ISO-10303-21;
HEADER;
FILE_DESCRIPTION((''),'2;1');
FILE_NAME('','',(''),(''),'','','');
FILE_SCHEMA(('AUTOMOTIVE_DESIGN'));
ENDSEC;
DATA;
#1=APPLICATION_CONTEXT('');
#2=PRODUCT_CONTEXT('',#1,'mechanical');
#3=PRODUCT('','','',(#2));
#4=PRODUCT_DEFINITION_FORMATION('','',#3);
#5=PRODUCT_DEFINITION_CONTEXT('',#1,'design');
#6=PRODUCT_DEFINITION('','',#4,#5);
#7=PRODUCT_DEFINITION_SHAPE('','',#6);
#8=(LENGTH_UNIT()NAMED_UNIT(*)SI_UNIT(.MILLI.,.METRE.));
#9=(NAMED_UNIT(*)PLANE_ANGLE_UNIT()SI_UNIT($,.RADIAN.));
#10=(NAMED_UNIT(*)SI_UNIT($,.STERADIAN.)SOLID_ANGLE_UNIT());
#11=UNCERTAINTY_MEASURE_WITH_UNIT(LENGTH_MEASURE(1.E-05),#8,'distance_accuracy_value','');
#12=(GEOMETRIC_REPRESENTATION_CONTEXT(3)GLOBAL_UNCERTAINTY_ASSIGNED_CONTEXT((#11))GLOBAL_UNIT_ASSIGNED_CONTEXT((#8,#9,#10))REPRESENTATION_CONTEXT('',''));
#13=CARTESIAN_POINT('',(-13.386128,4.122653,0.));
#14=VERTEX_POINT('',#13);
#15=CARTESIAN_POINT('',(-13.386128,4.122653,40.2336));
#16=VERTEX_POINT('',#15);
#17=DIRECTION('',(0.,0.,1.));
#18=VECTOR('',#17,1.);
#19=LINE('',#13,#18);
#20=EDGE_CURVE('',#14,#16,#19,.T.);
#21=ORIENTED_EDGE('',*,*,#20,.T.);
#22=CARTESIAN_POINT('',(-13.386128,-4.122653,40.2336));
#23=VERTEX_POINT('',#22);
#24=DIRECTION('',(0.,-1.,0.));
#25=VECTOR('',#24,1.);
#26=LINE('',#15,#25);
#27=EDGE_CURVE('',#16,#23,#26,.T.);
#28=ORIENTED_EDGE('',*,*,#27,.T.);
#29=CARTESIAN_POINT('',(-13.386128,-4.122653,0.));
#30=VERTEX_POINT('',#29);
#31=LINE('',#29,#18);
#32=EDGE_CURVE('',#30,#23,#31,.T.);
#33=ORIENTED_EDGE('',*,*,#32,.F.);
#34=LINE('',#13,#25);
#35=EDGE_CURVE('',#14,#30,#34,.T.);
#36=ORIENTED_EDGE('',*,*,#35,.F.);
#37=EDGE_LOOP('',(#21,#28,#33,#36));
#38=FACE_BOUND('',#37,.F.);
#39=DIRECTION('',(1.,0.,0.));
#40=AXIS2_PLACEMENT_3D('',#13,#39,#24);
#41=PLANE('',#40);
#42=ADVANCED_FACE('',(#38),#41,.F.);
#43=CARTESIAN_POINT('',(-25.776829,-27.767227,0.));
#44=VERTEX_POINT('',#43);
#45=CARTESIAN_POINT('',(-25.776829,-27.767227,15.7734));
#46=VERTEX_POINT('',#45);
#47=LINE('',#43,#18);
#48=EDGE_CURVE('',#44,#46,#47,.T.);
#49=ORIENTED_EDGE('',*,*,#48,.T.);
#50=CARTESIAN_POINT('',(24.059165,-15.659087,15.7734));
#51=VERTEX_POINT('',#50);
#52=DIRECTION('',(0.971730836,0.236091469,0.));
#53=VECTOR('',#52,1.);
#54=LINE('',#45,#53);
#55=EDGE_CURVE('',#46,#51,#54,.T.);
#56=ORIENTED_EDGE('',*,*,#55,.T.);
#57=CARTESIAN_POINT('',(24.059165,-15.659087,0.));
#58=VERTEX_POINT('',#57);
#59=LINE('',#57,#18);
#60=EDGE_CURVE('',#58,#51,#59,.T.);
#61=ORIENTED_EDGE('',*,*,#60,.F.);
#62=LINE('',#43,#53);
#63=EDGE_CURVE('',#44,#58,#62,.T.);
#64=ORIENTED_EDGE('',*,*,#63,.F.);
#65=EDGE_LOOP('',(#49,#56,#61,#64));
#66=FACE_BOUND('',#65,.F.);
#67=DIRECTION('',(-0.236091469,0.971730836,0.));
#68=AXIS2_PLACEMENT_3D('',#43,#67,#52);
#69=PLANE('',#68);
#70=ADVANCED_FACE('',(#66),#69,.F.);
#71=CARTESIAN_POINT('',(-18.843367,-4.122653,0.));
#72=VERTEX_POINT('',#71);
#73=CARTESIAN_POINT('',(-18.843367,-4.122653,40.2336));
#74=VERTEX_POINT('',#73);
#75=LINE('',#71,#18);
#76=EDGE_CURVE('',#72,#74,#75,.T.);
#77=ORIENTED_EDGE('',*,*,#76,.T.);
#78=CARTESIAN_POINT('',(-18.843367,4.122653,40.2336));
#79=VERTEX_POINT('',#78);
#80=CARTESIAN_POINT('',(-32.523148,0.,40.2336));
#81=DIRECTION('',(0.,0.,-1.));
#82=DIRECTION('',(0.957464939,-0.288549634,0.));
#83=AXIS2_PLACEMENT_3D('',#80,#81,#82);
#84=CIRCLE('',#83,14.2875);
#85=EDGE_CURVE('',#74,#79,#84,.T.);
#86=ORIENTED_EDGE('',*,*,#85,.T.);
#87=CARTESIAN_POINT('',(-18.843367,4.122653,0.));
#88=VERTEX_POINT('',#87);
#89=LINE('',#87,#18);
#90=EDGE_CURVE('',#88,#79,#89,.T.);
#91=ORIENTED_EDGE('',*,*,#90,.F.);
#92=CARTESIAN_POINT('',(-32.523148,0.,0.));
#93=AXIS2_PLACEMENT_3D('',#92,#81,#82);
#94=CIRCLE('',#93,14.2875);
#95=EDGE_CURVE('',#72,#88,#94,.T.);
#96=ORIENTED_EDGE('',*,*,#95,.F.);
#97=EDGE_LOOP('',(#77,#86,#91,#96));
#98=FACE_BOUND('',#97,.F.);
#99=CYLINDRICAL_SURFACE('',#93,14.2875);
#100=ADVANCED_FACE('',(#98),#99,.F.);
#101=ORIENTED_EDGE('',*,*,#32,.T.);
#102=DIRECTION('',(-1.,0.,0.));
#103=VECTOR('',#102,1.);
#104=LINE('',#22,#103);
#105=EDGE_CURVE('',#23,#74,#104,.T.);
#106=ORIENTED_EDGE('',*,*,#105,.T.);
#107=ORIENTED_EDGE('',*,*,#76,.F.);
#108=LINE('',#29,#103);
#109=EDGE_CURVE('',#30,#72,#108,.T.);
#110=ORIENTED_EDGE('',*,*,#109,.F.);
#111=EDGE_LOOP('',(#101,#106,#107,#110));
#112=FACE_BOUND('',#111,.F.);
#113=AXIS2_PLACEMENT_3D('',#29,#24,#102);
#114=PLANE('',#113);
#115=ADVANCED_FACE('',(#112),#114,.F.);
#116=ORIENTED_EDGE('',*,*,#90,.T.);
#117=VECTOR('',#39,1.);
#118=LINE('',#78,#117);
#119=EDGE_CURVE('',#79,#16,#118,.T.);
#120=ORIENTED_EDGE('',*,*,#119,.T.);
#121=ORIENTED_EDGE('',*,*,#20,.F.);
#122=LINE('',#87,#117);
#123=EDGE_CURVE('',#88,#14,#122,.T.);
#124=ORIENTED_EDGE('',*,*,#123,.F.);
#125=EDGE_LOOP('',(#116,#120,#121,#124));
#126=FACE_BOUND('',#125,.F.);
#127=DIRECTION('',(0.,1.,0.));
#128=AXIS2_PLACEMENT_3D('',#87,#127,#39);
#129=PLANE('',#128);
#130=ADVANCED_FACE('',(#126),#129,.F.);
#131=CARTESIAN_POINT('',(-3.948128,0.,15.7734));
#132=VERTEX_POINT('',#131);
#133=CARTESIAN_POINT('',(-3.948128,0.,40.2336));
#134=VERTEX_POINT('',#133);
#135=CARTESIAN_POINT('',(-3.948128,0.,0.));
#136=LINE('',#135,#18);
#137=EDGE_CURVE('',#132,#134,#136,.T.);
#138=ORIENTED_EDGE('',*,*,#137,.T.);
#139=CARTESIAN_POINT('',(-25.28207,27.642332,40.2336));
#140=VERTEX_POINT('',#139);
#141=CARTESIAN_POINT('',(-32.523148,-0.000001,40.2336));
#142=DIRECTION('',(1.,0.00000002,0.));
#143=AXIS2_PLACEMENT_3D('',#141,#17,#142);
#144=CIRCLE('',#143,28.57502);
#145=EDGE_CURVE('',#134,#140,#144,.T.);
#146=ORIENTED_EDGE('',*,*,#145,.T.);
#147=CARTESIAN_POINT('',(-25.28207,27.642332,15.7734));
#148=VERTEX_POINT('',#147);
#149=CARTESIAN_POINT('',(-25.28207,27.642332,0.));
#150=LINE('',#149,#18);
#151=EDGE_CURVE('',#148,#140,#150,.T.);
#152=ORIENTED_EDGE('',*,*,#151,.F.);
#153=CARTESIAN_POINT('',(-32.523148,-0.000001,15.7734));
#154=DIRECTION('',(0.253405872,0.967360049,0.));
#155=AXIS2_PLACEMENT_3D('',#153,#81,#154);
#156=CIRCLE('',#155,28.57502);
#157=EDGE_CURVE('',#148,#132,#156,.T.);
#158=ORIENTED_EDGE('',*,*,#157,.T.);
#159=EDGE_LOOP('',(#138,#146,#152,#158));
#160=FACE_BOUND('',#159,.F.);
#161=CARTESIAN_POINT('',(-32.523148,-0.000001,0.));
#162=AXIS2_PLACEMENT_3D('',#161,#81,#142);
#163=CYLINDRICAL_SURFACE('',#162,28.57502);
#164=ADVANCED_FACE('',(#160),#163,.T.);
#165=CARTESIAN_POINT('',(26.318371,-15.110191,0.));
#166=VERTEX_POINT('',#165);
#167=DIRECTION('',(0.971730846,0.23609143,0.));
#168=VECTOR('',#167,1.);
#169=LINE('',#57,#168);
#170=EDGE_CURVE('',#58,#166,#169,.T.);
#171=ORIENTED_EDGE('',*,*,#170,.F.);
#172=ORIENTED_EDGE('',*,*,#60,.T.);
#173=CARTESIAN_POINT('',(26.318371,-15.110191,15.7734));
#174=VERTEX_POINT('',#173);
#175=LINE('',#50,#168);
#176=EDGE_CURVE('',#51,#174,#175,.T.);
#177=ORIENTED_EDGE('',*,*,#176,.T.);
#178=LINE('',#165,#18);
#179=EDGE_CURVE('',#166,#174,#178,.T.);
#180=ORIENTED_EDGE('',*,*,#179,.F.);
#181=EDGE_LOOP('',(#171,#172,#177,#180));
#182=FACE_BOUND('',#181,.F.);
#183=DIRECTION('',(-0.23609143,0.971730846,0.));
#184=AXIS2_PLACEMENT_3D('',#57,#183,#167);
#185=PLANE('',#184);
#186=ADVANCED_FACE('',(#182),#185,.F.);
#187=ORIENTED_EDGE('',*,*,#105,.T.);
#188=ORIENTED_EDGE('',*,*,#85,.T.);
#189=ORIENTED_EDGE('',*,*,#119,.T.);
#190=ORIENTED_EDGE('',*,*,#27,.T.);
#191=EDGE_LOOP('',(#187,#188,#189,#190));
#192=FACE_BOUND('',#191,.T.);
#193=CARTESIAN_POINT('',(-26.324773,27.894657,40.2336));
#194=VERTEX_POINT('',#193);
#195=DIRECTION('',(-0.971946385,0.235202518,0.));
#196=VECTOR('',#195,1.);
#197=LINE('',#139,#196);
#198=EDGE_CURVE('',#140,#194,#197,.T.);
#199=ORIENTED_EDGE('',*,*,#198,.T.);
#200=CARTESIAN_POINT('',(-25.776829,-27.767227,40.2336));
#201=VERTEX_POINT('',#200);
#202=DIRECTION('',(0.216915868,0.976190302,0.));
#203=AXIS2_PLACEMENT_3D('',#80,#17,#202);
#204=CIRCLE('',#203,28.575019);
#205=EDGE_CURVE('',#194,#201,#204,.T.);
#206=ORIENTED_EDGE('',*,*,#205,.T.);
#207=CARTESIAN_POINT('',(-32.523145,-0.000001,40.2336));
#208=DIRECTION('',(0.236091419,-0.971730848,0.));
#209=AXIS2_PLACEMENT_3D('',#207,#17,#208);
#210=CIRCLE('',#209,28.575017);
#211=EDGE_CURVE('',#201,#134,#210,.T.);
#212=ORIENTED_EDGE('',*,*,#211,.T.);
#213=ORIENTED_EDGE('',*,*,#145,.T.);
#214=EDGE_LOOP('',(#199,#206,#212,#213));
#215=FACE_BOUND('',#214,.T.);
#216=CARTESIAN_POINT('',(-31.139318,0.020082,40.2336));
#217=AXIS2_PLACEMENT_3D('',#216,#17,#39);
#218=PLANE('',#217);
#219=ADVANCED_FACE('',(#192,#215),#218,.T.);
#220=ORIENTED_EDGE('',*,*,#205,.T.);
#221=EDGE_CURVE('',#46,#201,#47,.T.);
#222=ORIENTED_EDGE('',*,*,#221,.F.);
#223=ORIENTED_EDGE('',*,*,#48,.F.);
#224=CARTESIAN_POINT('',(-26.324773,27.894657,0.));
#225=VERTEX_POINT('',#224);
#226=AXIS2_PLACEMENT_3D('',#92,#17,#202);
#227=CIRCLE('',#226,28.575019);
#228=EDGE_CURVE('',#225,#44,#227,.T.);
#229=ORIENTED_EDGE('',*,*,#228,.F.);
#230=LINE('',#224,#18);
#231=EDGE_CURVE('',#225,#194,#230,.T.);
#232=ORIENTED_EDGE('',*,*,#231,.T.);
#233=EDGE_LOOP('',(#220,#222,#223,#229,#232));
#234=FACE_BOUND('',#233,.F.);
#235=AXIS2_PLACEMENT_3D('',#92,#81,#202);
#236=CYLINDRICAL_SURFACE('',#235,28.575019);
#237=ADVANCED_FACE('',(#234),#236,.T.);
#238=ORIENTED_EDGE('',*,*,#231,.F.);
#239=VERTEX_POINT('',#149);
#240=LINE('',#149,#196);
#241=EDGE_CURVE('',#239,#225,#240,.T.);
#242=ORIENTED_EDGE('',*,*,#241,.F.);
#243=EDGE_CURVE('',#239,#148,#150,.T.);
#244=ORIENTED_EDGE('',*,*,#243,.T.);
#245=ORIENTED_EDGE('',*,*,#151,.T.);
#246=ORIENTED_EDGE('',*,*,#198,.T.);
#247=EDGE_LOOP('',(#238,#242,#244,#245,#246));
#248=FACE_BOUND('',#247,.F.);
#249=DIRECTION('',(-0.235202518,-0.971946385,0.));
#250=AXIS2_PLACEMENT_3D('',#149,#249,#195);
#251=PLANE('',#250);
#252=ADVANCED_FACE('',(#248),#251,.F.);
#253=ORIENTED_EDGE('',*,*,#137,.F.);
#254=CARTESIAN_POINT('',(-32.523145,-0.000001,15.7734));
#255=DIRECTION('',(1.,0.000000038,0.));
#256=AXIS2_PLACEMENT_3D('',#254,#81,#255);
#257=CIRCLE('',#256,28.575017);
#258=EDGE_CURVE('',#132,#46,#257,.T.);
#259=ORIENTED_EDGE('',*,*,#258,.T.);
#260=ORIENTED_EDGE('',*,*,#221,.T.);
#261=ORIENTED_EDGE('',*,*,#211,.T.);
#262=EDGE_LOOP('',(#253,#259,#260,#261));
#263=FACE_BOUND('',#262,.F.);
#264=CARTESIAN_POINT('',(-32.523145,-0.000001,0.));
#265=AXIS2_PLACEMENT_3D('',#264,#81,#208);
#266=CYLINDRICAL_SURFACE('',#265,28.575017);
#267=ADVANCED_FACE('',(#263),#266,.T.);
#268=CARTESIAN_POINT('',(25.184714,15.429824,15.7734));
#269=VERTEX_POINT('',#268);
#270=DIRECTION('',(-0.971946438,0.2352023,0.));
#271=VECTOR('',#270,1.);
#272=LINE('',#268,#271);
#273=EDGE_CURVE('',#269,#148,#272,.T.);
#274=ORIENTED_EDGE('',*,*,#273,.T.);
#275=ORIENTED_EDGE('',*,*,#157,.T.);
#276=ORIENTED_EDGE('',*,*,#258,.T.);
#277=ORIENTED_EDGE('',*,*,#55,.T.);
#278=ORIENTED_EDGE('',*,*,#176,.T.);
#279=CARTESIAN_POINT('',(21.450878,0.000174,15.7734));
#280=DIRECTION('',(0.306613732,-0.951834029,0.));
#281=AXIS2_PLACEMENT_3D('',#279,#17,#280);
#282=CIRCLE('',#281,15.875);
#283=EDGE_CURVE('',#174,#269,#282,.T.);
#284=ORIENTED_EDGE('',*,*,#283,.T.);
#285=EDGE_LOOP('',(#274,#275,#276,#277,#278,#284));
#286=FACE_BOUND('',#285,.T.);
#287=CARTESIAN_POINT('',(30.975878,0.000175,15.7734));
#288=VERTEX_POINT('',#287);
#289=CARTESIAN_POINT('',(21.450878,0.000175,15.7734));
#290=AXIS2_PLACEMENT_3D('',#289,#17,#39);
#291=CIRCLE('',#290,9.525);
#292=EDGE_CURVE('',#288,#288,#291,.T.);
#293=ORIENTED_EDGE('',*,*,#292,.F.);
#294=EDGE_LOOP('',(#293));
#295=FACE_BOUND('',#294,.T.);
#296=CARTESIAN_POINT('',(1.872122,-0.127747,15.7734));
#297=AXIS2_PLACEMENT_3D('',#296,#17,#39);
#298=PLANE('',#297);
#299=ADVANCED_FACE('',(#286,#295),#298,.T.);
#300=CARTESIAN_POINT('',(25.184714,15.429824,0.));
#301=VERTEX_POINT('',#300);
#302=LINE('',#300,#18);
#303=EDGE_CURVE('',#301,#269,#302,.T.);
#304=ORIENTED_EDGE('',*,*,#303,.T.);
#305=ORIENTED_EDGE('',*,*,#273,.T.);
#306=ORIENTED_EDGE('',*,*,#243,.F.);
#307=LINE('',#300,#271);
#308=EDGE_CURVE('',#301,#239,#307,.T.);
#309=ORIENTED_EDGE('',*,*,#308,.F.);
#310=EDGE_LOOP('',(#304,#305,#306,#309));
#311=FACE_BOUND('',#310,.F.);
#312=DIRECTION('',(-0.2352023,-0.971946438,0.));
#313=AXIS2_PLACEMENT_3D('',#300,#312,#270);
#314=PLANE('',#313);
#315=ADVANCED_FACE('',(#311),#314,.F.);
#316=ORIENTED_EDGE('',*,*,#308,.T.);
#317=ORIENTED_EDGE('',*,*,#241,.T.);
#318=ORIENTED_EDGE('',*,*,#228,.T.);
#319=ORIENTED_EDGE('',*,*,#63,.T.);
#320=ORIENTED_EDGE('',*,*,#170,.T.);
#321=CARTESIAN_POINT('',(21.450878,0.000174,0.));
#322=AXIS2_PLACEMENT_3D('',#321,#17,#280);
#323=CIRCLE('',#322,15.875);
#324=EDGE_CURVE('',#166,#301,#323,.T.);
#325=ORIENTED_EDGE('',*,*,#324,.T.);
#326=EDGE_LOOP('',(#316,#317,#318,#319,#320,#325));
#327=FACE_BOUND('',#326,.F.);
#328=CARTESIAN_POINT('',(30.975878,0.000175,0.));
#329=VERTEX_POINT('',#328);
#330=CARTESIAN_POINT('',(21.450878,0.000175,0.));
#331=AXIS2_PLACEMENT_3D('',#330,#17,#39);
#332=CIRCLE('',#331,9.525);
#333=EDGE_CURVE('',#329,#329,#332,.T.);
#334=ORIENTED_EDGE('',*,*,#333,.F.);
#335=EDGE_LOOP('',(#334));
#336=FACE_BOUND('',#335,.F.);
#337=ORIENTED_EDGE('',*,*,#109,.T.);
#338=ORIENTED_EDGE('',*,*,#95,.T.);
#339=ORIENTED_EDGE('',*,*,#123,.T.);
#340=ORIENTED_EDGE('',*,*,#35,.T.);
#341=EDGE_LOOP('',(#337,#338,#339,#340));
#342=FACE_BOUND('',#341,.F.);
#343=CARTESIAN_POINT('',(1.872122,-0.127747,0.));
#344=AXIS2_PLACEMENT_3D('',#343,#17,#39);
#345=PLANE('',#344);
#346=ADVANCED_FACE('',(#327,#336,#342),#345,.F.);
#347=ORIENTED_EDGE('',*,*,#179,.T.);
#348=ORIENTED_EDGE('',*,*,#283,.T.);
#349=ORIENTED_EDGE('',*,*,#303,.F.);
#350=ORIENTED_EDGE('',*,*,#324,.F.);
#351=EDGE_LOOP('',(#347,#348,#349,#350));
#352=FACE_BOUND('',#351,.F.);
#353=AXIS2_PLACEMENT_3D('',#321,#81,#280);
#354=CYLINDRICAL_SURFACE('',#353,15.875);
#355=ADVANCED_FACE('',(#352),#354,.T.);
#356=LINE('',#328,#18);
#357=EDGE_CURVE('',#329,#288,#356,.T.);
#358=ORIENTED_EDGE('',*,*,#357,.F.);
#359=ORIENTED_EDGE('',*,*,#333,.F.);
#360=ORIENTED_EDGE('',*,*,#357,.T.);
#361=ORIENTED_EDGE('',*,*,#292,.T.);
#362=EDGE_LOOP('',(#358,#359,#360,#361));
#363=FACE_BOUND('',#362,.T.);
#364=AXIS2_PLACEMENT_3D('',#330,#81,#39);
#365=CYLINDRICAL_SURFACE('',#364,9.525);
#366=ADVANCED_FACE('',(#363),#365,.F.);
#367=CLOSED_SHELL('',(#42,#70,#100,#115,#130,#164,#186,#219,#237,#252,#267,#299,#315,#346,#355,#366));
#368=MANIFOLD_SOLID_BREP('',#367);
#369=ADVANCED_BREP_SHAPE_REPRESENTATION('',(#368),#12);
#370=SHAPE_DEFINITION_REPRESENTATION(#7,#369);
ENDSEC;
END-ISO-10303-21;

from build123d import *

# Parameters (mm, degrees)
F0_R     = 25.4
F1_DEPTH = 40.2336
F0_R_2   = 9.525
F2_DEPTH = 15.7734


with BuildPart() as f1:
    # F0 (on Top) → F1 (new body)
    with BuildSketch(Plane.XY):
        with BuildLine():
            Line((-25.28207, 27.642332), (-26.324773, 27.894657))
            ThreePointArc((-26.324773, 27.894657), (-61.096783, -0.281283), (-25.776829, -27.767227))
            ThreePointArc((-25.776829, -27.767227), (-10.058643, -17.660062), (-3.948128, 0))
            ThreePointArc((-3.948128, 0), (-9.901856, 17.458777), (-25.28207, 27.642332))
        make_face()
        with Locations((-32.523148, 0)):
            Circle(F0_R, mode=Mode.SUBTRACT)
        with Locations((-32.523148, 0)):
            Circle(F0_R)
        with BuildLine():
            ThreePointArc((-18.843367, -4.122653), (-46.810648, 0), (-18.843367, 4.122653))
            Line((-18.843367, 4.122653), (-13.386128, 4.122653))
            Line((-13.386128, 4.122653), (-13.386128, -4.122653))
            Line((-13.386128, -4.122653), (-18.843367, -4.122653))
        make_face(mode=Mode.SUBTRACT)
    extrude(amount=F1_DEPTH)

    # F0 (on Top) → F2 (join)
    with BuildSketch(Plane.XY):
        with BuildLine():
            ThreePointArc((-3.948128, 0), (-10.058643, -17.660062), (-25.776829, -27.767227))
            Line((-25.776829, -27.767227), (24.059165, -15.659087))
            Line((24.059165, -15.659087), (26.318371, -15.110191))
            ThreePointArc((26.318371, -15.110191), (37.314952, 0.589055), (25.184714, 15.429824))
            Line((25.184714, 15.429824), (-25.28207, 27.642332))
            ThreePointArc((-25.28207, 27.642332), (-9.901856, 17.458777), (-3.948128, 0))
        make_face()
        with Locations((21.450878, 0.000175)):
            Circle(F0_R_2, mode=Mode.SUBTRACT)
    extrude(amount=F2_DEPTH)


solid = f1.part
